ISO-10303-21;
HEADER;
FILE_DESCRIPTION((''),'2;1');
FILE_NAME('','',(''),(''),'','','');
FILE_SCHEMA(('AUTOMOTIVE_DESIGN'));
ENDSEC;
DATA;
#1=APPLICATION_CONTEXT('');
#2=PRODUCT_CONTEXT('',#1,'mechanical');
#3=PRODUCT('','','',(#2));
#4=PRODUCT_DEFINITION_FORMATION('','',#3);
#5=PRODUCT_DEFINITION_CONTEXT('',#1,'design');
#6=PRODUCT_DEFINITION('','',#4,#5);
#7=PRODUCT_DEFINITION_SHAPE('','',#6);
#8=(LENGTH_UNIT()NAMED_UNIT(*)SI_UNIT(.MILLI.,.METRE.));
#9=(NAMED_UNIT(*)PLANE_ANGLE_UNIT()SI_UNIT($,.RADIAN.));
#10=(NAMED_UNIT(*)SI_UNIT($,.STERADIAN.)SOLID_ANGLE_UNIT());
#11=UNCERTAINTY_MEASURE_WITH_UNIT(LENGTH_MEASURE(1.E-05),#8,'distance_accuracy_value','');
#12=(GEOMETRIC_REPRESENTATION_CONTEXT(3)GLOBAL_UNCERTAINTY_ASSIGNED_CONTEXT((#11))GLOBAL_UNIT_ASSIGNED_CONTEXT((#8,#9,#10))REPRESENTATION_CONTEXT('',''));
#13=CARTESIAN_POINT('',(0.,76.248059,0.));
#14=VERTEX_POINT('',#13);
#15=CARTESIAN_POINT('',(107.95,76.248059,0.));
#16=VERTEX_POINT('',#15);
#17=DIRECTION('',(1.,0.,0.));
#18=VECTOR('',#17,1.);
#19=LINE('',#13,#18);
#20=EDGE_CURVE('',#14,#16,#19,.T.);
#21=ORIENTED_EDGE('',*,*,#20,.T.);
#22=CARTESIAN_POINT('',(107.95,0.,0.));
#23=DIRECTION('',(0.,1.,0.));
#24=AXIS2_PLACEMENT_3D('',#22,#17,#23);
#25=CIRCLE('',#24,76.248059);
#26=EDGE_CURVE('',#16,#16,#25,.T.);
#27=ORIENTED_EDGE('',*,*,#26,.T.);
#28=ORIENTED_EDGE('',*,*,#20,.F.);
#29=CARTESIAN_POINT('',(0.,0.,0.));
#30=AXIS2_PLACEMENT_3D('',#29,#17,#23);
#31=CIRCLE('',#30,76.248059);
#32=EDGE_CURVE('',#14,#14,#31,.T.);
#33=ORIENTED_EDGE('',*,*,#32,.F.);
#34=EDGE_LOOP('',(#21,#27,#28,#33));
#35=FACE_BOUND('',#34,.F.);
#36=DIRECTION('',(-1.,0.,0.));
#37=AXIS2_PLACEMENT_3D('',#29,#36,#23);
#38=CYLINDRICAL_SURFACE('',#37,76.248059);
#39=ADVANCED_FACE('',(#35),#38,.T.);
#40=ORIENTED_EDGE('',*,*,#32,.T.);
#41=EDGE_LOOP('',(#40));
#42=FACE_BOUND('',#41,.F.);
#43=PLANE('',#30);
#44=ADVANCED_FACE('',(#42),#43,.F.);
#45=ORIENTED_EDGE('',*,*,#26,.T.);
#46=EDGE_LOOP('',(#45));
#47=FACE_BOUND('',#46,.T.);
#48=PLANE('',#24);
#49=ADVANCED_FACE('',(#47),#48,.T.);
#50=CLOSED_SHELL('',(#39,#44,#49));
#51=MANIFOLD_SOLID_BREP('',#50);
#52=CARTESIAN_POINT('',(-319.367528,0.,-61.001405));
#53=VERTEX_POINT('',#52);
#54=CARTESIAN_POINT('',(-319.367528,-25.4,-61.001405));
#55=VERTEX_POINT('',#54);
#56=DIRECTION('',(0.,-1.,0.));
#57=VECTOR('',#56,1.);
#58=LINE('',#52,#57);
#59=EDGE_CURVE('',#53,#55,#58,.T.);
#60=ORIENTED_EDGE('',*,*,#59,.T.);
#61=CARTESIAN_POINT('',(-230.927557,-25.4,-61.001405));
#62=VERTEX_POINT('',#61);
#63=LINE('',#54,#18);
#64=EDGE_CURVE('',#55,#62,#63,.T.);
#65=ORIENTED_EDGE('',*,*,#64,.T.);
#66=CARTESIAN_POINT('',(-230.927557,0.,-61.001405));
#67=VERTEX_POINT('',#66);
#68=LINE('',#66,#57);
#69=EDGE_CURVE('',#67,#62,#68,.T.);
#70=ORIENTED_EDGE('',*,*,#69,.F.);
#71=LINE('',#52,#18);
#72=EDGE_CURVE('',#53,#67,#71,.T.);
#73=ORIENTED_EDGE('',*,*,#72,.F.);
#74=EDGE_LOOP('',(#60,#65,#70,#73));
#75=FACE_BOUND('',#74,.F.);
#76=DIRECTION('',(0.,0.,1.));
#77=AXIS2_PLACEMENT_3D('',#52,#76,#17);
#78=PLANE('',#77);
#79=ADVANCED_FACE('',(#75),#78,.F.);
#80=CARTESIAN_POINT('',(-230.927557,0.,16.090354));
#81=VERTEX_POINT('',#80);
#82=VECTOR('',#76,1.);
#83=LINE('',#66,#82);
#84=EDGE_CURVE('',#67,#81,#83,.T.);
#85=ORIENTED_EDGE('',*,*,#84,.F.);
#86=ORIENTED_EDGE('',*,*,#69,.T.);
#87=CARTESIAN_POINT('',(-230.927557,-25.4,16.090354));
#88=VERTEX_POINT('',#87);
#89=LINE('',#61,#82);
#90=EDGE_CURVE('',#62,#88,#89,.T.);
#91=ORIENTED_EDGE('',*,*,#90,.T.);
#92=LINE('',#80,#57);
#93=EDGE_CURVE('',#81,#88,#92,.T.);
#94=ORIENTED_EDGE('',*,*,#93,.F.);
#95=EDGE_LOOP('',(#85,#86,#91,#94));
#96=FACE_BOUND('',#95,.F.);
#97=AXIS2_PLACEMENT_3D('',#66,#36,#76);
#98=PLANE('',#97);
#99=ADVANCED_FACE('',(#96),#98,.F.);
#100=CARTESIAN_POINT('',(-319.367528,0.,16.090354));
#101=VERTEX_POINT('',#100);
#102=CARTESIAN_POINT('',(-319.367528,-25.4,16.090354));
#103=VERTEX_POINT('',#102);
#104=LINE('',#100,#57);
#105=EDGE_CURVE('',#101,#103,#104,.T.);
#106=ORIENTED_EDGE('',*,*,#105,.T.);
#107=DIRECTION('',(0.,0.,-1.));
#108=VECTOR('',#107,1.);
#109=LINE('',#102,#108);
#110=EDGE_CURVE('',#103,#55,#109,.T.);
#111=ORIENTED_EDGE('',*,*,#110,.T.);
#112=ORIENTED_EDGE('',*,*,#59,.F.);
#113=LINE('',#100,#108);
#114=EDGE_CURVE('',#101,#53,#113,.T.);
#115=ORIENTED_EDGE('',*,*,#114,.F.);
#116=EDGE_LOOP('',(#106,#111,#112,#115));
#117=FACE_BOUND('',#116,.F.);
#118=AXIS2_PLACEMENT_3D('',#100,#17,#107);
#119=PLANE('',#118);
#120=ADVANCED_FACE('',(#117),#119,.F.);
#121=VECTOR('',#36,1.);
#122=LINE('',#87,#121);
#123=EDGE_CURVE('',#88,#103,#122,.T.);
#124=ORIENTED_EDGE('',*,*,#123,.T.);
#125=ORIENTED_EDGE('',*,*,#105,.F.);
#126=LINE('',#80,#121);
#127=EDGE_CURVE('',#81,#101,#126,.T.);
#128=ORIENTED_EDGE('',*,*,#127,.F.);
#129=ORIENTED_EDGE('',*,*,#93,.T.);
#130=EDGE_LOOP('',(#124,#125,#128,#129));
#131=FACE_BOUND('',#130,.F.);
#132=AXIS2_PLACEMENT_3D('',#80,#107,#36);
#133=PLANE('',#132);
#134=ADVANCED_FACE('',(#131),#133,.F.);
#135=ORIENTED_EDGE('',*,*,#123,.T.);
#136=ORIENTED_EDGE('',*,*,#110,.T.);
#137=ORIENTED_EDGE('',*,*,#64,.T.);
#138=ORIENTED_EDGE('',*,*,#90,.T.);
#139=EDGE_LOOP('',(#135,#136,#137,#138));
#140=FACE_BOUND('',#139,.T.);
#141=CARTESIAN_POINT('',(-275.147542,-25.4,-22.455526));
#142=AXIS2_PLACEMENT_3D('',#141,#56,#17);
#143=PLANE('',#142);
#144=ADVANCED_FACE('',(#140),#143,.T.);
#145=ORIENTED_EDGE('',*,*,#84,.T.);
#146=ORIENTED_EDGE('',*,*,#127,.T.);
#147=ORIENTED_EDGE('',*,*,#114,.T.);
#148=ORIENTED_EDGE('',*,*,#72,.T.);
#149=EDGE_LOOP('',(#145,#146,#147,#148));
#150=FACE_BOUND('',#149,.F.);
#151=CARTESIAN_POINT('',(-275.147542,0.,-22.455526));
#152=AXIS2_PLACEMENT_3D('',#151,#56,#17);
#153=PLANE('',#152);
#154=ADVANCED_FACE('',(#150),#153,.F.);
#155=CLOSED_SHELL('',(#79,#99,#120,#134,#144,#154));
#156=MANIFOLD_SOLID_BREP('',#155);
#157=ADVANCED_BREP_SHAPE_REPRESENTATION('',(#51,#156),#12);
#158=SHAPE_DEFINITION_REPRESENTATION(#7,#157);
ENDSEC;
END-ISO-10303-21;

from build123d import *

# Parameters (mm, degrees)
F0_R     = 76.248059
F1_DEPTH = 107.95
F3_DEPTH = 25.4


with BuildPart() as f1:
    # F0 (on Right) → F1 (new body)
    with BuildSketch(Plane.YZ):
        Circle(F0_R)
    extrude(amount=F1_DEPTH)


with BuildPart() as f3:
    # F2 (on Front) → F3 (new body)
    with BuildSketch(Plane.XZ):
        Polygon((-230.927557, 16.090354), (-319.367528, 16.090354), (-319.367528, -61.001405), (-230.927557, -61.001405), (-230.927557, -8.195519), align=None)
    extrude(amount=F3_DEPTH)


solid = Compound([f1.part, f3.part])
